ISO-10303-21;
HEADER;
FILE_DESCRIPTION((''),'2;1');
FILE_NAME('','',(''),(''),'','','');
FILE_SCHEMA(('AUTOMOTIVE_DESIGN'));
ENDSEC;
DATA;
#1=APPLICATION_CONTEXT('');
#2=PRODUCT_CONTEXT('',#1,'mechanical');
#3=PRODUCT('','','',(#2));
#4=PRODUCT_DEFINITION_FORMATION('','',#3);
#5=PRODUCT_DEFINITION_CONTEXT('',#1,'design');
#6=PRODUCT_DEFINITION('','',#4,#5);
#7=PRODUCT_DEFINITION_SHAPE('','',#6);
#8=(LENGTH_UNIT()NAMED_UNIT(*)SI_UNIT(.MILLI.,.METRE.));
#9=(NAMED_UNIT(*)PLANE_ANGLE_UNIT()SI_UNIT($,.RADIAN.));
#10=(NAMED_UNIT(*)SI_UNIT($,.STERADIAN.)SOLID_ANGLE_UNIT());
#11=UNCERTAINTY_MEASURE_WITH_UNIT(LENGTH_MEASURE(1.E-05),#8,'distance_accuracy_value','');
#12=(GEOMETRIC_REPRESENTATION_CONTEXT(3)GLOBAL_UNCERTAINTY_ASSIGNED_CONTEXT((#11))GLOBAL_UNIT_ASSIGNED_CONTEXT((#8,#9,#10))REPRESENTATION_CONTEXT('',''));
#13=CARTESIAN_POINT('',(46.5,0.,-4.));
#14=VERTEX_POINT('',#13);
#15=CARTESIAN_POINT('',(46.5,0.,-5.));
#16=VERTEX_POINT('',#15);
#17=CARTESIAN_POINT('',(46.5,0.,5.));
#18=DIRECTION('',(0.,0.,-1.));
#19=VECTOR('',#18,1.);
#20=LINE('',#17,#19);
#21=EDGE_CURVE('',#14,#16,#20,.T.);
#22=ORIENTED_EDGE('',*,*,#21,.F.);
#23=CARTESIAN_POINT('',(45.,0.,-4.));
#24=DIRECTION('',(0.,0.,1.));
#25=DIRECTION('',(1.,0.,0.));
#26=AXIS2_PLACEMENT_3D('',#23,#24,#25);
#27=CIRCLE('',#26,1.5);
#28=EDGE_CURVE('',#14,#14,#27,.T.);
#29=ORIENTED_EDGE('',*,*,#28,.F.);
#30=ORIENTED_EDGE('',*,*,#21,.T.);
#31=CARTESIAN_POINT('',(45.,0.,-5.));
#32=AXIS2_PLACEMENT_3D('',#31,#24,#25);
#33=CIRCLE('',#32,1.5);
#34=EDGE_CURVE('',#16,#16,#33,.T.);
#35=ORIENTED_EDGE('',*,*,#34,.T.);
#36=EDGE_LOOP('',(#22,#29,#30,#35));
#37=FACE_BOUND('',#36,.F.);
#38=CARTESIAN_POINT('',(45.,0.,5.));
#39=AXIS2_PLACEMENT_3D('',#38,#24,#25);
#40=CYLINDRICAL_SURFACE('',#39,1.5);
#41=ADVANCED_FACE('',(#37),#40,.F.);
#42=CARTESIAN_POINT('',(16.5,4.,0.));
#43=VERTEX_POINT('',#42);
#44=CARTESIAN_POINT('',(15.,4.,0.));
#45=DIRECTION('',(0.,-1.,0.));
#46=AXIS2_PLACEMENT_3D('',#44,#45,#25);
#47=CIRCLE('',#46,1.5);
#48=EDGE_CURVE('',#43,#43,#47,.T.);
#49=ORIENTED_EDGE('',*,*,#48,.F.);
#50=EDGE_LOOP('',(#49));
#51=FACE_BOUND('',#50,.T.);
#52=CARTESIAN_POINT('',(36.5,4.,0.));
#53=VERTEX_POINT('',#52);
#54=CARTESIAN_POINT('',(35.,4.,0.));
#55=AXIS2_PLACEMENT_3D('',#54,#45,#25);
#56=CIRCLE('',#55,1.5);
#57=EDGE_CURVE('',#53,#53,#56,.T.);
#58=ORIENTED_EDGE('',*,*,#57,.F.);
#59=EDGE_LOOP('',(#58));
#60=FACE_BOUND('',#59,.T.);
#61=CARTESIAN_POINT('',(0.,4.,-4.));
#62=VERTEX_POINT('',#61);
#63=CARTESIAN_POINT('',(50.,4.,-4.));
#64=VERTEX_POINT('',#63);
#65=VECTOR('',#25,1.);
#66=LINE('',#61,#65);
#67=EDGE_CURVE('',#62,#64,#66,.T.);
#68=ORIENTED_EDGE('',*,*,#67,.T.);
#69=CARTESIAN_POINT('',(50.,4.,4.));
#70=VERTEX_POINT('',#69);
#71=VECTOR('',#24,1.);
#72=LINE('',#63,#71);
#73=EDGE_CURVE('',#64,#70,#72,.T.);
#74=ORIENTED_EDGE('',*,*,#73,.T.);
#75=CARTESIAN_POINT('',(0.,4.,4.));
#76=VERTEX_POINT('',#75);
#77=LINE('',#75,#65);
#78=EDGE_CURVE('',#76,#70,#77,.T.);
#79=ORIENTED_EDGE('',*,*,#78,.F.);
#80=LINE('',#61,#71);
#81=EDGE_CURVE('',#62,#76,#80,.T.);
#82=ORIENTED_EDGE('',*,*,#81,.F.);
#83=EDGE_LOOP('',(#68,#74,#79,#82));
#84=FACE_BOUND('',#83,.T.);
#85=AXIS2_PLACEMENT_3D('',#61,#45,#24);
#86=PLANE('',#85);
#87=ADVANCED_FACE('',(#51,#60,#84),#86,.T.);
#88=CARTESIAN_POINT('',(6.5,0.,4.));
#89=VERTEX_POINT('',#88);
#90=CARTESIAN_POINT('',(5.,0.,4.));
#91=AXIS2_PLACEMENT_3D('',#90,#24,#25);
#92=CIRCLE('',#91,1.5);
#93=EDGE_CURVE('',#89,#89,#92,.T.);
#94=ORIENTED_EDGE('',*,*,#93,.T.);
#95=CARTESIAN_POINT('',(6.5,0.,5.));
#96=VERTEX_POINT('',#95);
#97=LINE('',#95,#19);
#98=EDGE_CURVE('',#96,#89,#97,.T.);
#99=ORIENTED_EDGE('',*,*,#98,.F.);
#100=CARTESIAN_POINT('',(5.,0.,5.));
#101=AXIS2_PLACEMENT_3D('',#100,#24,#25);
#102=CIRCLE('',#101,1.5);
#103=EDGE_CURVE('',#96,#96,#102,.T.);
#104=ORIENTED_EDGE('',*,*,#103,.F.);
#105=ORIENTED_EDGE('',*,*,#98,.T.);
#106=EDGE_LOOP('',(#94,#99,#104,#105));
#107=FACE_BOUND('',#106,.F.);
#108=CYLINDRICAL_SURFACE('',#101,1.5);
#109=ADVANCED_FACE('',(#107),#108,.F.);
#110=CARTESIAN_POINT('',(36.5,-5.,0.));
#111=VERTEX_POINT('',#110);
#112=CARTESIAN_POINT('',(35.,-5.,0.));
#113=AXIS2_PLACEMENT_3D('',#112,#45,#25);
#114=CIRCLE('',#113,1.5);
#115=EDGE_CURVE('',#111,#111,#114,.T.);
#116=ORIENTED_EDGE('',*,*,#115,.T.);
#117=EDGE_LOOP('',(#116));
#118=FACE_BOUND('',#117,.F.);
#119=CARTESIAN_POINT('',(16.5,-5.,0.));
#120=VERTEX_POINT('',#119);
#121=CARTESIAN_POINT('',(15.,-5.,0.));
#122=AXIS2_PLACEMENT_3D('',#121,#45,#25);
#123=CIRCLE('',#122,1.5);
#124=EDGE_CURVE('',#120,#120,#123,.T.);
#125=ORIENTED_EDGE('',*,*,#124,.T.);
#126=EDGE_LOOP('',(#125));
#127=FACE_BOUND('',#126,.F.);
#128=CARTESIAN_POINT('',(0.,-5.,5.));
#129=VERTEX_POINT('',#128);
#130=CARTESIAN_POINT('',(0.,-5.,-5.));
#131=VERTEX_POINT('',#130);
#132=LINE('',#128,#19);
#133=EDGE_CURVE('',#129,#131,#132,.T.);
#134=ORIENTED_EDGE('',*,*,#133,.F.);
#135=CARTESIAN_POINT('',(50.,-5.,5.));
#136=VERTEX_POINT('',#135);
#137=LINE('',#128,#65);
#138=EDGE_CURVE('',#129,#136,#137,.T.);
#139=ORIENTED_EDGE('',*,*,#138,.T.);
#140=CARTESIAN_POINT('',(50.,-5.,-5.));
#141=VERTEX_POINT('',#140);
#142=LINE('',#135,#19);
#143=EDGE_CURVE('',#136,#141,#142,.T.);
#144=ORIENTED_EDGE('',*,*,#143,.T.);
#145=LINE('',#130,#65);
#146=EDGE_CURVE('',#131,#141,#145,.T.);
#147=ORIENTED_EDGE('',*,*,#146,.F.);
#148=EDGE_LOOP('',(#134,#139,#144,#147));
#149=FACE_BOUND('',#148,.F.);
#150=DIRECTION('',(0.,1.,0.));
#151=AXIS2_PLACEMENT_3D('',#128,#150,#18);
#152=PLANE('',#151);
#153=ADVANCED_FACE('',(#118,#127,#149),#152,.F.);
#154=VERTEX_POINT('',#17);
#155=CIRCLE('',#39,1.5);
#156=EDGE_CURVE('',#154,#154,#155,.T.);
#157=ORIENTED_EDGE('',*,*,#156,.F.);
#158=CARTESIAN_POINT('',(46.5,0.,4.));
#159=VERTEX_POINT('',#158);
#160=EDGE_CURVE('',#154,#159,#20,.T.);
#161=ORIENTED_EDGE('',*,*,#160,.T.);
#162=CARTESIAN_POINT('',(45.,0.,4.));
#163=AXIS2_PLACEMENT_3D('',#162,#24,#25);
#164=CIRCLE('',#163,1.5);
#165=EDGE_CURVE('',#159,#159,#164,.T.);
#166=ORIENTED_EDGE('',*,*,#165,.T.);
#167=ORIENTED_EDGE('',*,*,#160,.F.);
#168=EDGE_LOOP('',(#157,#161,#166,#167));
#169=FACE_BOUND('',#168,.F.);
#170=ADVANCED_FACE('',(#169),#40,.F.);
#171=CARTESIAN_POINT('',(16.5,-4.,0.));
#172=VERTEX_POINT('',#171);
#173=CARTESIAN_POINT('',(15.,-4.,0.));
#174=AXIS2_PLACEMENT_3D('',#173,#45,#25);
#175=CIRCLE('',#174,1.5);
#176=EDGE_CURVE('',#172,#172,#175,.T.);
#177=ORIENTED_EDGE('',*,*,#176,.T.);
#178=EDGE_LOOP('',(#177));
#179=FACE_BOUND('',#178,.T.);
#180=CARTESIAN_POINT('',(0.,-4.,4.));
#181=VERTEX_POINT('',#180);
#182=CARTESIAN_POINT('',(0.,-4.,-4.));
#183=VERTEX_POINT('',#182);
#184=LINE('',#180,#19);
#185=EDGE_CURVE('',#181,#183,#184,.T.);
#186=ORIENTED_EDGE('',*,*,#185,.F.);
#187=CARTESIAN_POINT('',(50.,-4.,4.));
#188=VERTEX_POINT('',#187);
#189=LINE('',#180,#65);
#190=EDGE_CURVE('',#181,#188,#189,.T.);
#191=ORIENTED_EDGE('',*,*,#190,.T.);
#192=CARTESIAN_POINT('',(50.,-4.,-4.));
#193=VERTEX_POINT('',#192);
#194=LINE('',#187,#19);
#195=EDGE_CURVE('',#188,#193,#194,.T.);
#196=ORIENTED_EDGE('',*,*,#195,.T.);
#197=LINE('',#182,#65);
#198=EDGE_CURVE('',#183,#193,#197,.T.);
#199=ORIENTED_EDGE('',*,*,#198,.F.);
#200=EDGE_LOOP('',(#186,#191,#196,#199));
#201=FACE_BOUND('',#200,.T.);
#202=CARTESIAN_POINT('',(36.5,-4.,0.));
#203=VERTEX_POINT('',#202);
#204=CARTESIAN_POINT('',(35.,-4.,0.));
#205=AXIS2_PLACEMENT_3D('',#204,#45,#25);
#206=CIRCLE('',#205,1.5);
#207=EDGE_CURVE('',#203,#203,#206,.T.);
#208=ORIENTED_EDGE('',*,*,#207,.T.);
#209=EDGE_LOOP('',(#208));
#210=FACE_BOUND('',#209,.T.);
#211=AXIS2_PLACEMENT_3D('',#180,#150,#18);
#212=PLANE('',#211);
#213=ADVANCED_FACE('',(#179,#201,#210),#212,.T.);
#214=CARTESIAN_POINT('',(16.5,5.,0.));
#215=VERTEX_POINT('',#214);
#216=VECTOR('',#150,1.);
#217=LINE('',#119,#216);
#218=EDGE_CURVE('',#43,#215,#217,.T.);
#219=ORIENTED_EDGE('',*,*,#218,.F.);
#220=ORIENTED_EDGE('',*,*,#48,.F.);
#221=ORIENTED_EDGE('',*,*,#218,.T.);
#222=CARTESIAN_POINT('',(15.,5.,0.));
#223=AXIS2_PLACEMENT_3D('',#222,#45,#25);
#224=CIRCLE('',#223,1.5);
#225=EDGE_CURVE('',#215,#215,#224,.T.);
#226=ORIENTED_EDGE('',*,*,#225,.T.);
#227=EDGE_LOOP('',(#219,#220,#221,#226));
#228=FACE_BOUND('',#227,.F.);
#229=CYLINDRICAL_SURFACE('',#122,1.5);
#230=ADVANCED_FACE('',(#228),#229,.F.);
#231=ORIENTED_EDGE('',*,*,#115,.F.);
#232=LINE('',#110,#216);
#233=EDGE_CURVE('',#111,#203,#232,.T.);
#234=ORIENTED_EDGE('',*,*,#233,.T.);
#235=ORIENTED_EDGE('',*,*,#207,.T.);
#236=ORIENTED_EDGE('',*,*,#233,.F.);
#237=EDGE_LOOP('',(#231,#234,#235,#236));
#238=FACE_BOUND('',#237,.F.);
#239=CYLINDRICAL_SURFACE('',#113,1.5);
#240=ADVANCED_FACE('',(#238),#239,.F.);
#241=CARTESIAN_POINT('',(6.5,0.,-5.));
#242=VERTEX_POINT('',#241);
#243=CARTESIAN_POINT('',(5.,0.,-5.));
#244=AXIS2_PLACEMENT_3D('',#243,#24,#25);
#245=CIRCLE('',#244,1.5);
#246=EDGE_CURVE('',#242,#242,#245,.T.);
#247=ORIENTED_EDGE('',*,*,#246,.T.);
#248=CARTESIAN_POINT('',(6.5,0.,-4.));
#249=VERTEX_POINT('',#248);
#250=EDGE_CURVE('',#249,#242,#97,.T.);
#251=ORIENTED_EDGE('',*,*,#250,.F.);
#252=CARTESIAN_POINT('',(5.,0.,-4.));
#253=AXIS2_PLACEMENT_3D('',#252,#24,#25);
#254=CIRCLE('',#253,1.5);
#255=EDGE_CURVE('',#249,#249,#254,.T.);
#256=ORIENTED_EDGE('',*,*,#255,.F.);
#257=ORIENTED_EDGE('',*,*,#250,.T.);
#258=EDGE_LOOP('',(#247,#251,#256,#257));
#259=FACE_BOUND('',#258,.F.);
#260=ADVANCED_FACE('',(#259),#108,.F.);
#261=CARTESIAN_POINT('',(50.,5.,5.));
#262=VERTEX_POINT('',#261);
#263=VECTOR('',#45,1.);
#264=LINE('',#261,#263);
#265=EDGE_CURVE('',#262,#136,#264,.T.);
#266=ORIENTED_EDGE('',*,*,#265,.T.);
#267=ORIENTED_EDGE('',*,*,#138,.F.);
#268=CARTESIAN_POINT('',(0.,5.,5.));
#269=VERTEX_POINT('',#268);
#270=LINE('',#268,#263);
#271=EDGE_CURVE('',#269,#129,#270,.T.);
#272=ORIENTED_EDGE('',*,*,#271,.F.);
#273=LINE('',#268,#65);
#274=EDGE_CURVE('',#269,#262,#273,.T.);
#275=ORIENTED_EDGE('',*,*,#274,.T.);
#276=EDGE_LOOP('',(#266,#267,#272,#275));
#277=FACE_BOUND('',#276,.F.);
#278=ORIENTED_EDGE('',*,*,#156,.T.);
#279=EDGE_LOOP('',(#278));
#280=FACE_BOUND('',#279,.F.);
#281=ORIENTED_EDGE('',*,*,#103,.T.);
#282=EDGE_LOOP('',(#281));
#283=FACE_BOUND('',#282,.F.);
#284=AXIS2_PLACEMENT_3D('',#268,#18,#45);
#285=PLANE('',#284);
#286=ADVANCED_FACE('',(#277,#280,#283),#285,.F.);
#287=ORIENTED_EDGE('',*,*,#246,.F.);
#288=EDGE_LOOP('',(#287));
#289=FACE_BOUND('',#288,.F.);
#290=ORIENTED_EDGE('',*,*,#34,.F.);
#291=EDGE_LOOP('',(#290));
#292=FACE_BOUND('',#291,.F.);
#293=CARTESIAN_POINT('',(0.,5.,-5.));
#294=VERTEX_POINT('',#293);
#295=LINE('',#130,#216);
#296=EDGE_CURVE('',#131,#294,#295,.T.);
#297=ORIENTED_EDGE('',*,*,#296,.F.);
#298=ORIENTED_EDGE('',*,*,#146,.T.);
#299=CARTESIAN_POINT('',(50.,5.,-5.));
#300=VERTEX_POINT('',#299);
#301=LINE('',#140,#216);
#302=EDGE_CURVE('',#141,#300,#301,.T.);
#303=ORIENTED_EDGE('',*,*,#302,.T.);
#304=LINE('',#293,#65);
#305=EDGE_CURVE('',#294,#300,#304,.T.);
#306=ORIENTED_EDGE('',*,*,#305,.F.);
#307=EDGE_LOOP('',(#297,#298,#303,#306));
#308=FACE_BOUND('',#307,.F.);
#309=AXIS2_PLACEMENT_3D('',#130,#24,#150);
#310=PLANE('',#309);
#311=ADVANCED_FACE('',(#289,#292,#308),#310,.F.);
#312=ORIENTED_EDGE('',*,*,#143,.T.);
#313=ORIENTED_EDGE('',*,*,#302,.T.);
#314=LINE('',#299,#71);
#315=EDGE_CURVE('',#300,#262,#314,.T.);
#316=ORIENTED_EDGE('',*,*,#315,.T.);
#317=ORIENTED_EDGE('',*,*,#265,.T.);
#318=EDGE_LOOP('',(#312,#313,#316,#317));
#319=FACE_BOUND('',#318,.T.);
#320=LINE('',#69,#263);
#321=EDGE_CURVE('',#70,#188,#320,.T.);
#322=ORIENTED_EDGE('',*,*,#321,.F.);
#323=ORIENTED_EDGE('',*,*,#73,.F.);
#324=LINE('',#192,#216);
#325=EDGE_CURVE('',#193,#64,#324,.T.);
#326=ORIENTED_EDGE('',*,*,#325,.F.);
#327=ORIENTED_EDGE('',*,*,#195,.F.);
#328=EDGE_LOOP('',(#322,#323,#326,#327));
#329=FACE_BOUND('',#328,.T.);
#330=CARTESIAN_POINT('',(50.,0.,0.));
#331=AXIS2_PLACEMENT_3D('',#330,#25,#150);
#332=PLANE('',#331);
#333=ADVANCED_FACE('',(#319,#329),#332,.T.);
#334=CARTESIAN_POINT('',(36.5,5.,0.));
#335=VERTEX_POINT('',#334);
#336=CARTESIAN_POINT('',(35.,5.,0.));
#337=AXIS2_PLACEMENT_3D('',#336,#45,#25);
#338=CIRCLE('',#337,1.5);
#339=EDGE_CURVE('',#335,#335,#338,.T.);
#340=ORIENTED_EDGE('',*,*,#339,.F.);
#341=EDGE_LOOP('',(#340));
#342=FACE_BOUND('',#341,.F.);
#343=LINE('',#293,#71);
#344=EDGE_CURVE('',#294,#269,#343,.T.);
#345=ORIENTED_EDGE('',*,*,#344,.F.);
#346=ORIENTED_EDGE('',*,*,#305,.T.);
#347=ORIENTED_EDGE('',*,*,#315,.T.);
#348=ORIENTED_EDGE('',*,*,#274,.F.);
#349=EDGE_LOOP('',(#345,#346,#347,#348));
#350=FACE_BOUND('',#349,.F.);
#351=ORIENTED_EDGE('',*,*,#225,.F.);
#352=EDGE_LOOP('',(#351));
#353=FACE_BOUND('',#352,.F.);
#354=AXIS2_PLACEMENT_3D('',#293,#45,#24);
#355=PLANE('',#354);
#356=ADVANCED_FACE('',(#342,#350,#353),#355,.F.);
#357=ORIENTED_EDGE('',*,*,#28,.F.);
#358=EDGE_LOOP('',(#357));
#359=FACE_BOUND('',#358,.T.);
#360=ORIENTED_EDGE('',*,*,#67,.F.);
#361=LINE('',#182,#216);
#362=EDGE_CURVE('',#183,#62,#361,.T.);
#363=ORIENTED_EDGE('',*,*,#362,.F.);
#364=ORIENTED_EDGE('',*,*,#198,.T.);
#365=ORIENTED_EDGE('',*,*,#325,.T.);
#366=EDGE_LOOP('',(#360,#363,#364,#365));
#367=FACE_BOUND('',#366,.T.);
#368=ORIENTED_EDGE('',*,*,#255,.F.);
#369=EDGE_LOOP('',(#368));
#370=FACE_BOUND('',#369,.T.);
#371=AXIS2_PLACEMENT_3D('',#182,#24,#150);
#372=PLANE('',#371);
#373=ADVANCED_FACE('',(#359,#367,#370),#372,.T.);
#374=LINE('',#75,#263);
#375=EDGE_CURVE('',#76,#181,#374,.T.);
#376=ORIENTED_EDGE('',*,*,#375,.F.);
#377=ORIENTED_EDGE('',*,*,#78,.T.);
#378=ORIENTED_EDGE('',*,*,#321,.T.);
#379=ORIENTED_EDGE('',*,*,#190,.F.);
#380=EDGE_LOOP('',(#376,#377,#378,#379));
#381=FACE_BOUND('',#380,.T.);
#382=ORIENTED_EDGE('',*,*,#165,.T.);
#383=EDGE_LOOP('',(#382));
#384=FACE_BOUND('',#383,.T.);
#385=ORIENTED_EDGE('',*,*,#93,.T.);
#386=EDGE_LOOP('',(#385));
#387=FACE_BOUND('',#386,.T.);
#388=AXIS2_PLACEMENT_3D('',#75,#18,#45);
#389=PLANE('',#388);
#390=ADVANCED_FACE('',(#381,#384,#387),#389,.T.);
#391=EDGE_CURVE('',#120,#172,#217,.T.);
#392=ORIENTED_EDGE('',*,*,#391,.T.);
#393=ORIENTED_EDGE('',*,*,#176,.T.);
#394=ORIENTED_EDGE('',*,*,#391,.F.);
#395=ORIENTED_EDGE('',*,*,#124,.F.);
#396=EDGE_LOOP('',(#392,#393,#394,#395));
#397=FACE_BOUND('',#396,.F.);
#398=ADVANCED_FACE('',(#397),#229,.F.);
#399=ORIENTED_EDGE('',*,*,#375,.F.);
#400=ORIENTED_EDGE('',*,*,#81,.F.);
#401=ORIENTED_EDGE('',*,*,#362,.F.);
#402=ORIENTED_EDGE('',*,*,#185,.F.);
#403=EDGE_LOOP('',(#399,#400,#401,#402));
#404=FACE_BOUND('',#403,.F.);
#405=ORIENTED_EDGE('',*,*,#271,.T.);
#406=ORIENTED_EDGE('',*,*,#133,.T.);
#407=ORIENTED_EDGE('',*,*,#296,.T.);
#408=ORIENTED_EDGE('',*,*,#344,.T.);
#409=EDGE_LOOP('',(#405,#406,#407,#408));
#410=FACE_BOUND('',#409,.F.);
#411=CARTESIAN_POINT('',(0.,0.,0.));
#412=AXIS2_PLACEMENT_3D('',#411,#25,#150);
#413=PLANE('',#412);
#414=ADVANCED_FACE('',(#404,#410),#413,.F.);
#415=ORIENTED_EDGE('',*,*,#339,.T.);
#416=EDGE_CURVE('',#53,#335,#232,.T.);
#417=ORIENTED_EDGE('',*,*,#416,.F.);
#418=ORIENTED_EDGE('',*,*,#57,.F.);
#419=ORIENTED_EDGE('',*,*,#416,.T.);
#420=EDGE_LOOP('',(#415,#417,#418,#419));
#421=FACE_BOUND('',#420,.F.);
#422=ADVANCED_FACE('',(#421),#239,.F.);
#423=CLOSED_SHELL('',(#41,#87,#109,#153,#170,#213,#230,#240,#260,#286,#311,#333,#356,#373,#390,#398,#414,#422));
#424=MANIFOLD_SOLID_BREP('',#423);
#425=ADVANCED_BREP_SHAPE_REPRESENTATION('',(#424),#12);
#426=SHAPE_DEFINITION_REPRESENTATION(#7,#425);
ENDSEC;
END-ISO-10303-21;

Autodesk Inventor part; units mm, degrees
ref_plane "YZ Plane" through (0, 0, 0) normal (1, 0, 0) x (0, 1, 0)
ref_plane "XZ Plane" through (0, 0, 0) normal (0, 1, 0) x (-1, 0, 0)
ref_plane "XY Plane" through (0, 0, 0) normal (0, 0, 1) x (1, 0, 0)
sketch "スケッチ1" plane through (0, 0, 0) normal (1, 0, 0) x (0, 1, 0)
  line L0 (5, 5) -> (-5, 5)
  line L1 (-5, 5) -> (-5, -5)
  line L2 (-5, -5) -> (5, -5)
  line L3 (5, -5) -> (5, 5)
  line L4 (4, 4) -> (-4, 4)
  line L5 (-4, 4) -> (-4, -4)
  line L6 (-4, -4) -> (4, -4)
  line L7 (4, -4) -> (4, 4)
  point P0 (0, 0)
  dimension "d0" = 1
  dimension "d1" = 1
  dimension "d2" = 1
  dimension "d3" = 1
  dimension "d4" = 10
  dimension "d5" = 10
  dimension "d6" = 5
  dimension "d7" = 5
extrude "押し出し1" add sketch "スケッチ1" along normal blind 50
sketch "スケッチ2" plane through (0, -5, 5) normal (0, 0, 1) x (1, 0, 0)
  circle A0 centre (5, 5) radius 1.5
  line L0 (0, 10) -> (0, 0) projected
  line L1 (0, 0) -> (50, 0) projected
  circle A1 centre (45, 5) radius 1.5
  line L2 (50, 10) -> (50, 0) projected
  point P0 (0, 5)
  dimension "d10" = 3
  dimension "d11" = 5
  dimension "d12" = 5
  dimension "d13" = 5
  dimension "d14" = 5
  dimension "d15" = 3
sketch "スケッチ3" plane through (0, -5, -5) normal (0, -1, 0) x (1, 0, 0)
  circle A0 centre (15, 5) radius 1.5
  line L0 (0, 10) -> (0, 0) projected
  line L1 (0, 10) -> (50, 10) projected
  circle A1 centre (35, 5) radius 1.5
  line L2 (50, 10) -> (50, 0) projected
  line L3 (0, 0) -> (50, 0) projected
  point P0 (0, 5)
  dimension "d16" = 3
  dimension "d17" = 15
  dimension "d18" = 5
  dimension "d19" = 15
  dimension "d20" = 5
  dimension "d21" = 3
extrude "押し出し2" cut sketch "スケッチ2" against normal blind 50
extrude "押し出し3" cut sketch "スケッチ3" against normal blind 50 contours A0 | A1
properties part number "角パーツ" material "アルミニウム 6061"
